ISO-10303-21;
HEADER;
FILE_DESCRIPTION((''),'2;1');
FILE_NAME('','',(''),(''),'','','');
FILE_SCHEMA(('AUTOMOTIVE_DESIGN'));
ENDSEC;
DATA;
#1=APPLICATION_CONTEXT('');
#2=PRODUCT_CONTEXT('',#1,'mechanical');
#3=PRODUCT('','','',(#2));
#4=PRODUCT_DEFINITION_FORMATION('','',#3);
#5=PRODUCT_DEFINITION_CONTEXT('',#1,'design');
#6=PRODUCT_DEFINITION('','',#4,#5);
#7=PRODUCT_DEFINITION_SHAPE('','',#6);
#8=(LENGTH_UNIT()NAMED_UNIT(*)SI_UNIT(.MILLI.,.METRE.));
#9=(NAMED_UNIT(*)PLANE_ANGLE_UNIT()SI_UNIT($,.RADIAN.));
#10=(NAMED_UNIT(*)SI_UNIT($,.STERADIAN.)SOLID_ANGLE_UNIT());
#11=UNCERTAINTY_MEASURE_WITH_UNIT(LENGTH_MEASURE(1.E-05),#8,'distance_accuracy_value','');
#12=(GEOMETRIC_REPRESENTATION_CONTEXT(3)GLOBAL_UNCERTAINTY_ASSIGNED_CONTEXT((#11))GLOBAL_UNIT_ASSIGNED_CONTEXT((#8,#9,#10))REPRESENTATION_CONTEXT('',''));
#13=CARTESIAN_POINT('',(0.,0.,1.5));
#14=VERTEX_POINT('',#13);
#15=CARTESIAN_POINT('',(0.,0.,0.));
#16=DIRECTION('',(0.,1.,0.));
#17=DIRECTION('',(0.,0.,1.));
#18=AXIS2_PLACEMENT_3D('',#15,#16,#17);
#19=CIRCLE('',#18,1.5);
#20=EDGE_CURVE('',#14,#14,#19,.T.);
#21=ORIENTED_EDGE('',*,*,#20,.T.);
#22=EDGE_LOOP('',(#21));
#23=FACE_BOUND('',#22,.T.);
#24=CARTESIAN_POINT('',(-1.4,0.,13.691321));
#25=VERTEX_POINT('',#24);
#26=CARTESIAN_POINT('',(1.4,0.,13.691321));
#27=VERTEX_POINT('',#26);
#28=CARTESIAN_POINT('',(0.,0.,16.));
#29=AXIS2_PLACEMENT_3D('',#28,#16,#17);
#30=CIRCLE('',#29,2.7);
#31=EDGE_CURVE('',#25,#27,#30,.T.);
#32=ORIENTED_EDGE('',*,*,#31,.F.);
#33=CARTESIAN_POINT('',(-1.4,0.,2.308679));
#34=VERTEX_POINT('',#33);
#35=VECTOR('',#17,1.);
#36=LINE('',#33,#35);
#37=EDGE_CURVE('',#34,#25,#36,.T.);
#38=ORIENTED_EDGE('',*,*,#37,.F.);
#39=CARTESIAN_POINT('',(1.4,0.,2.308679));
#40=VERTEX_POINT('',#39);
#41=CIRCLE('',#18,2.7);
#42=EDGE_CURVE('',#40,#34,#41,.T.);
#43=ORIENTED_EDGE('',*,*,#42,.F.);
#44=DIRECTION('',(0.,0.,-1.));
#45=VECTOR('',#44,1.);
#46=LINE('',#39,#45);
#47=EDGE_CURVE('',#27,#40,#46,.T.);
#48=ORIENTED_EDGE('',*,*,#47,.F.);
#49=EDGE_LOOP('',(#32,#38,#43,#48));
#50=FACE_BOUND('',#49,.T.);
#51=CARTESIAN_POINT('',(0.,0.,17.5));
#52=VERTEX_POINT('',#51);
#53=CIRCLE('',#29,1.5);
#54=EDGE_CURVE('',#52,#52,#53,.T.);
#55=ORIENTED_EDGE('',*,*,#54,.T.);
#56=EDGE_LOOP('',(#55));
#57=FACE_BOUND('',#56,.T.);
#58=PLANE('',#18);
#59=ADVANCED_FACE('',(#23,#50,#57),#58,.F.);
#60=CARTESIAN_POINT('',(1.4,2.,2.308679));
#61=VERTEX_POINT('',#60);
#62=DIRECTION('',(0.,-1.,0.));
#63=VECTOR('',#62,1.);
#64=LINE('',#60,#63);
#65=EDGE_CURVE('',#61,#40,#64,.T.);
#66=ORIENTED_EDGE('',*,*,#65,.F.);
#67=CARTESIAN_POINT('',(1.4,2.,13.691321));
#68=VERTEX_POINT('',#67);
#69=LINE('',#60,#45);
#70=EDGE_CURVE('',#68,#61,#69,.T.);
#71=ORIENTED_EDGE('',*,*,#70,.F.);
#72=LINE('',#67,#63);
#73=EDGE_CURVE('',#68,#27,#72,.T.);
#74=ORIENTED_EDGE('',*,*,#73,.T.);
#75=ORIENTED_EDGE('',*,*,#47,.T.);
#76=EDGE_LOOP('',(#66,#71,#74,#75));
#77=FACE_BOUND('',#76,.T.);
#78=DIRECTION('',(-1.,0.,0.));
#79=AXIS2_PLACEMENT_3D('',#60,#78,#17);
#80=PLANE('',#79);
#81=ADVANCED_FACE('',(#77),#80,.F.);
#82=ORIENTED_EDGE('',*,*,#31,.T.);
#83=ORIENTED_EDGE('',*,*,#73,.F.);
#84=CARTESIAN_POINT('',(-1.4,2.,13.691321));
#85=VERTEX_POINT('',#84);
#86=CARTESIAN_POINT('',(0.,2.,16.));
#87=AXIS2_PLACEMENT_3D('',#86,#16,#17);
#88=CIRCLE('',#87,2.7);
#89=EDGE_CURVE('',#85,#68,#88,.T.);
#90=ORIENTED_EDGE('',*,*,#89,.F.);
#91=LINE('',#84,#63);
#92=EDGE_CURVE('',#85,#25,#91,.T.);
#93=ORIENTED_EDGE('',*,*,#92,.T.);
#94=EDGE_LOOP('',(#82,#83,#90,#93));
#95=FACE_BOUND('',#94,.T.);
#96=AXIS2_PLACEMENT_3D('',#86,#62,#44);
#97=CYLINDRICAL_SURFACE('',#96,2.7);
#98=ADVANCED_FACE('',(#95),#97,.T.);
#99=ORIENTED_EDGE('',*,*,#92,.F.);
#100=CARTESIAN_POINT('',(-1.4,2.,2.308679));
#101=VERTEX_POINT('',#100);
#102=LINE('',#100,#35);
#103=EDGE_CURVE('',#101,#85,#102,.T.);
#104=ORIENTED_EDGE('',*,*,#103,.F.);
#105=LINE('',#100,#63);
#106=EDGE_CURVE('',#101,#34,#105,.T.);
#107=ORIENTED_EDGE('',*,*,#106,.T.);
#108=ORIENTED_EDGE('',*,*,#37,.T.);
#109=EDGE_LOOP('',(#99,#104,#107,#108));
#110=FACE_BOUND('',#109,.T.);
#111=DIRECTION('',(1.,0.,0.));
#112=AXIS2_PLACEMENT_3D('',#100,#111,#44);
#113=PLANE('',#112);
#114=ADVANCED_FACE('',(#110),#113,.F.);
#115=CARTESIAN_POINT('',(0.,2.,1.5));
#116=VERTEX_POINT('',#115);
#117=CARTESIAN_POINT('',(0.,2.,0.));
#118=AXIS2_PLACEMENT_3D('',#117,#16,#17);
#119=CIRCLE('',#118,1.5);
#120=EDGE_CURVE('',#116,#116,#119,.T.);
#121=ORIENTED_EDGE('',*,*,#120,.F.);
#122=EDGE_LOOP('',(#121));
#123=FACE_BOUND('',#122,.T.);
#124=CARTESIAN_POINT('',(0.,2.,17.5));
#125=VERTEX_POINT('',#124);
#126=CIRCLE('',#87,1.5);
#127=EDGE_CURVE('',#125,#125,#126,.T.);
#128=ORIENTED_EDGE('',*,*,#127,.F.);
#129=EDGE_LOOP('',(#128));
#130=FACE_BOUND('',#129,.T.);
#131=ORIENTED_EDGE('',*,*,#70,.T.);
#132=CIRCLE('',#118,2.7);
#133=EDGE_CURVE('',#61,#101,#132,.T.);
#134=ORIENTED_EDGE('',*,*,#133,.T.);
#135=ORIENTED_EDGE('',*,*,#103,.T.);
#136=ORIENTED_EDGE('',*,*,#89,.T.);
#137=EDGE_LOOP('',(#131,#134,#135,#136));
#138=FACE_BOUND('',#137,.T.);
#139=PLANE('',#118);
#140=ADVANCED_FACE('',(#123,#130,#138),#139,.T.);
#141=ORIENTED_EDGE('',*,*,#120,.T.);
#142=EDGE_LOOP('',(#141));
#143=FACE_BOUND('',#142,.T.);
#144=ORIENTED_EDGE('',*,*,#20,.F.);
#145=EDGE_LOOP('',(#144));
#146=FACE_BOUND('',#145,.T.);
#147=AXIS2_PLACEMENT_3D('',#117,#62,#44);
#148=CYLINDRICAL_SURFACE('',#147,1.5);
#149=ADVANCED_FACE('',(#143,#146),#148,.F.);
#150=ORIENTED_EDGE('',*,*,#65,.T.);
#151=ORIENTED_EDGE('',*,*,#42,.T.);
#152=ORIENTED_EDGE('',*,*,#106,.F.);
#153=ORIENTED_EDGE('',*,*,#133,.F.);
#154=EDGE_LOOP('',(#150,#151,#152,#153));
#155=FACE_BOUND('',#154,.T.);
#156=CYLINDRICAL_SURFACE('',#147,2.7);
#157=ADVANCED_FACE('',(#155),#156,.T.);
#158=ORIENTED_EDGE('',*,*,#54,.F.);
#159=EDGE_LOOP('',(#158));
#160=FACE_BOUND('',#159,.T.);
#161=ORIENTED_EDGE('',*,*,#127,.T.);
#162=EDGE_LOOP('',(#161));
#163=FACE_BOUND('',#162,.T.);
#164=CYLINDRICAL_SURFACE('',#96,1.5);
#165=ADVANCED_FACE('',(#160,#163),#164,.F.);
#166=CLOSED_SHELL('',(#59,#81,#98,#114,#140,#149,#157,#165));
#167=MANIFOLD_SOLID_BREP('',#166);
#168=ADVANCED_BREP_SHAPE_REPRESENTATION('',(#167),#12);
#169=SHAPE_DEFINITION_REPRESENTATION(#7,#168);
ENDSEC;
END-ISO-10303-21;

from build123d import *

# Parameters (mm, degrees)
SKETCH_1_R      = 1.5
EXTRUDE_1_DEPTH = 2


with BuildPart() as part:
    # 草图1 → 凸台-拉伸1 (new body)
    with BuildSketch(Plane(origin=(0, 0, 0), x_dir=(1, 0, 0), z_dir=(0, 1, 0))):
        with BuildLine():
            Line((-1.4, -2.308679276), (-1.4, -13.691320724))
            ThreePointArc((-1.4, -13.691320724), (0, -18.7), (1.4, -13.691320724))
            Line((1.4, -13.691320724), (1.4, -2.308679276))
            ThreePointArc((1.4, -2.308679276), (0, 2.7), (-1.4, -2.308679276))
        make_face()
        with Locations(Location((0, 0, 0), (0, 0, 270))):
            Circle(SKETCH_1_R, mode=Mode.SUBTRACT)
        with Locations(Location((0, -16, 0), (0, 0, 270))):
            Circle(SKETCH_1_R, mode=Mode.SUBTRACT)
    extrude(amount=EXTRUDE_1_DEPTH)


solid = part.part
